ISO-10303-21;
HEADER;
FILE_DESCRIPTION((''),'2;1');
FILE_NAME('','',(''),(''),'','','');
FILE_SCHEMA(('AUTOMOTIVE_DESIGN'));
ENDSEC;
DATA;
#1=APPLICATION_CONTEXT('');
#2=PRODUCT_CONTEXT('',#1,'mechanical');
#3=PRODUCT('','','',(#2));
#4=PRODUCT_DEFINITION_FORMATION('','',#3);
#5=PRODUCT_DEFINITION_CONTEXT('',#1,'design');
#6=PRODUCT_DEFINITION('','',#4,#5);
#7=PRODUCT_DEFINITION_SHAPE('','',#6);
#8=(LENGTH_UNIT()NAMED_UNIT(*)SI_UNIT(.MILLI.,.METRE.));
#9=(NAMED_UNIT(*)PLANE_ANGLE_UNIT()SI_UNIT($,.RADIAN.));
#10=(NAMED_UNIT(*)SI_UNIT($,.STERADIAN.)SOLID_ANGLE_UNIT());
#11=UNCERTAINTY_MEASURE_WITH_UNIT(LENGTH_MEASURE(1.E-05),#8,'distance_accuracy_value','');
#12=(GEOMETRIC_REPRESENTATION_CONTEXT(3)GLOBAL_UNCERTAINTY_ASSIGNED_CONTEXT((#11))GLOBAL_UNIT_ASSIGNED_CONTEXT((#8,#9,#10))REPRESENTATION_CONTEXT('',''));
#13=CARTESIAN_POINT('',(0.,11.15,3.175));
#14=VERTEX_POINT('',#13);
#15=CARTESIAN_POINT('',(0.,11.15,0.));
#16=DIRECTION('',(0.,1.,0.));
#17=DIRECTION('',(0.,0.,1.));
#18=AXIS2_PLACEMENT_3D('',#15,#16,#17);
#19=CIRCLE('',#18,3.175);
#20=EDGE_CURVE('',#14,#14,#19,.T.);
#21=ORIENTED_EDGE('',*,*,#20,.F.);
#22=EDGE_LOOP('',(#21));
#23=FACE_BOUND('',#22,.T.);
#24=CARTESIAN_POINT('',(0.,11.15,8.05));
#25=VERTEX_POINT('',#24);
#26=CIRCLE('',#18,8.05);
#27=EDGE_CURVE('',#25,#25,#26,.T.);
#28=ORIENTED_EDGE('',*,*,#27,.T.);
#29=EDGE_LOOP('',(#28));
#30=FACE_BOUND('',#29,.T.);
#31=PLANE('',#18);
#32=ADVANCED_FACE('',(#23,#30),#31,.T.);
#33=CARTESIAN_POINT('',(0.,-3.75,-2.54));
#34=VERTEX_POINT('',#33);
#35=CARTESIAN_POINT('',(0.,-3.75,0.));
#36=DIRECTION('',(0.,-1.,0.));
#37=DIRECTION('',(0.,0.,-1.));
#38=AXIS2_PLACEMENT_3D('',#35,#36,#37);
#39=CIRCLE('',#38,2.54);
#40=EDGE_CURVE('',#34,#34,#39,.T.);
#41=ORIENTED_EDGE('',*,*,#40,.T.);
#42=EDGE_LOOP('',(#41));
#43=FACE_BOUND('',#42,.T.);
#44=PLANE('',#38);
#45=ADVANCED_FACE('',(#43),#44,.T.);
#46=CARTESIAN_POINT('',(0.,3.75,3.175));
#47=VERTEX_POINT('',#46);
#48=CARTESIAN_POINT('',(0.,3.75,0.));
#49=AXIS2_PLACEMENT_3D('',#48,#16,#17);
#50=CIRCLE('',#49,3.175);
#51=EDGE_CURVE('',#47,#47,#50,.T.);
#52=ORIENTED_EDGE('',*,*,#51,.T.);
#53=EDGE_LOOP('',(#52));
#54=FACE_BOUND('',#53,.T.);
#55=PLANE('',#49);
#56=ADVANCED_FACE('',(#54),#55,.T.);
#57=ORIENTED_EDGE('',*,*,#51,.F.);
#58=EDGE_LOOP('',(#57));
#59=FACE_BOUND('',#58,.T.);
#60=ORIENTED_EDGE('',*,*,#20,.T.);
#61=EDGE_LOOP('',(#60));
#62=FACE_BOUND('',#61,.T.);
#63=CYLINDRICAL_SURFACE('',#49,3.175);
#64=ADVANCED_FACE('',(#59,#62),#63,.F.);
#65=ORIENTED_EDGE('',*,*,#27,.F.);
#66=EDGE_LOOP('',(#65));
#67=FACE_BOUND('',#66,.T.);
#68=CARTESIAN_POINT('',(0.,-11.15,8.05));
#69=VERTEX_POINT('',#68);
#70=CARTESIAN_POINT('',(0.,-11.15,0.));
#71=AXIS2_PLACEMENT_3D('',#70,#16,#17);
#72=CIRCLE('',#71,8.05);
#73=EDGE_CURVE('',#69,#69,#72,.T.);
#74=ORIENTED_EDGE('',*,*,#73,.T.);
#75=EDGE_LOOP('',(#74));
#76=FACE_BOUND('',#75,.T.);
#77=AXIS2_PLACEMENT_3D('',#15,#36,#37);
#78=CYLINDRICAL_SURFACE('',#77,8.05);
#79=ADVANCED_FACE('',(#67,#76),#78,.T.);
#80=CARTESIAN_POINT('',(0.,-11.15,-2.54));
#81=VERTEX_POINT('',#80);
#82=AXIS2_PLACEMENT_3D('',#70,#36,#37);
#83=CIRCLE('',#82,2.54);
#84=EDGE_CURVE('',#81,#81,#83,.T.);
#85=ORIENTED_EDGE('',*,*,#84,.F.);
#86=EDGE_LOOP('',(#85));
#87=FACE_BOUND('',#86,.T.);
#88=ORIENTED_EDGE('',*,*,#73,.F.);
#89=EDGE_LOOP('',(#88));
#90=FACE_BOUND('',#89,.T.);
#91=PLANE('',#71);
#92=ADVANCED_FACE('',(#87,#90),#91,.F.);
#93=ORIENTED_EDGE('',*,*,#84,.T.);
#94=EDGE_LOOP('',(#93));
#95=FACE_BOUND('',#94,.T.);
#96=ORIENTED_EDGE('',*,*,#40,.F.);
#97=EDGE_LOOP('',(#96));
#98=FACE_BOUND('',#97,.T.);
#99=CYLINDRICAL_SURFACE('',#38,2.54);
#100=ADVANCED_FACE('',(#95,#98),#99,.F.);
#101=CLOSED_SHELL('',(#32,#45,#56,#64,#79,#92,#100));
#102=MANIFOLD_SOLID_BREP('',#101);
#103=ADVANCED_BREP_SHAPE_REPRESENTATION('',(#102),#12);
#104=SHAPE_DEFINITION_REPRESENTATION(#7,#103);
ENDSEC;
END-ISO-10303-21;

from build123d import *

# Parameters (mm, degrees)
SKETCH1_R           = 8.05
BOSS_EXTRUDE1_DEPTH = 11.15
SKETCH2_R           = 3.175
F_25_HOLE_DEPTH     = 7.4
SKETCH3_R           = 2.54
F_0_2_HOLE_DEPTH    = 7.4


with BuildPart() as part:
    # Sketch1 → Boss-Extrude1 (new body, symmetric)
    with BuildSketch(Plane(origin=(0, 0, 0), x_dir=(1, 0, 0), z_dir=(0, 1, 0))):
        Circle(SKETCH1_R)
    extrude(amount=BOSS_EXTRUDE1_DEPTH, both=True)

    # Sketch2 → .25" hole (cut)
    with BuildSketch(Plane(origin=(0, 11.15, 0), x_dir=(1, 0, 0), z_dir=(0, 1, 0))):
        Circle(SKETCH2_R)
    extrude(amount=-F_25_HOLE_DEPTH, mode=Mode.SUBTRACT)

    # Sketch3 → 0.2" hole (cut)
    with BuildSketch(Plane.XZ.offset(11.15)):
        Circle(SKETCH3_R)
    extrude(amount=-F_0_2_HOLE_DEPTH, mode=Mode.SUBTRACT)


solid = part.part
